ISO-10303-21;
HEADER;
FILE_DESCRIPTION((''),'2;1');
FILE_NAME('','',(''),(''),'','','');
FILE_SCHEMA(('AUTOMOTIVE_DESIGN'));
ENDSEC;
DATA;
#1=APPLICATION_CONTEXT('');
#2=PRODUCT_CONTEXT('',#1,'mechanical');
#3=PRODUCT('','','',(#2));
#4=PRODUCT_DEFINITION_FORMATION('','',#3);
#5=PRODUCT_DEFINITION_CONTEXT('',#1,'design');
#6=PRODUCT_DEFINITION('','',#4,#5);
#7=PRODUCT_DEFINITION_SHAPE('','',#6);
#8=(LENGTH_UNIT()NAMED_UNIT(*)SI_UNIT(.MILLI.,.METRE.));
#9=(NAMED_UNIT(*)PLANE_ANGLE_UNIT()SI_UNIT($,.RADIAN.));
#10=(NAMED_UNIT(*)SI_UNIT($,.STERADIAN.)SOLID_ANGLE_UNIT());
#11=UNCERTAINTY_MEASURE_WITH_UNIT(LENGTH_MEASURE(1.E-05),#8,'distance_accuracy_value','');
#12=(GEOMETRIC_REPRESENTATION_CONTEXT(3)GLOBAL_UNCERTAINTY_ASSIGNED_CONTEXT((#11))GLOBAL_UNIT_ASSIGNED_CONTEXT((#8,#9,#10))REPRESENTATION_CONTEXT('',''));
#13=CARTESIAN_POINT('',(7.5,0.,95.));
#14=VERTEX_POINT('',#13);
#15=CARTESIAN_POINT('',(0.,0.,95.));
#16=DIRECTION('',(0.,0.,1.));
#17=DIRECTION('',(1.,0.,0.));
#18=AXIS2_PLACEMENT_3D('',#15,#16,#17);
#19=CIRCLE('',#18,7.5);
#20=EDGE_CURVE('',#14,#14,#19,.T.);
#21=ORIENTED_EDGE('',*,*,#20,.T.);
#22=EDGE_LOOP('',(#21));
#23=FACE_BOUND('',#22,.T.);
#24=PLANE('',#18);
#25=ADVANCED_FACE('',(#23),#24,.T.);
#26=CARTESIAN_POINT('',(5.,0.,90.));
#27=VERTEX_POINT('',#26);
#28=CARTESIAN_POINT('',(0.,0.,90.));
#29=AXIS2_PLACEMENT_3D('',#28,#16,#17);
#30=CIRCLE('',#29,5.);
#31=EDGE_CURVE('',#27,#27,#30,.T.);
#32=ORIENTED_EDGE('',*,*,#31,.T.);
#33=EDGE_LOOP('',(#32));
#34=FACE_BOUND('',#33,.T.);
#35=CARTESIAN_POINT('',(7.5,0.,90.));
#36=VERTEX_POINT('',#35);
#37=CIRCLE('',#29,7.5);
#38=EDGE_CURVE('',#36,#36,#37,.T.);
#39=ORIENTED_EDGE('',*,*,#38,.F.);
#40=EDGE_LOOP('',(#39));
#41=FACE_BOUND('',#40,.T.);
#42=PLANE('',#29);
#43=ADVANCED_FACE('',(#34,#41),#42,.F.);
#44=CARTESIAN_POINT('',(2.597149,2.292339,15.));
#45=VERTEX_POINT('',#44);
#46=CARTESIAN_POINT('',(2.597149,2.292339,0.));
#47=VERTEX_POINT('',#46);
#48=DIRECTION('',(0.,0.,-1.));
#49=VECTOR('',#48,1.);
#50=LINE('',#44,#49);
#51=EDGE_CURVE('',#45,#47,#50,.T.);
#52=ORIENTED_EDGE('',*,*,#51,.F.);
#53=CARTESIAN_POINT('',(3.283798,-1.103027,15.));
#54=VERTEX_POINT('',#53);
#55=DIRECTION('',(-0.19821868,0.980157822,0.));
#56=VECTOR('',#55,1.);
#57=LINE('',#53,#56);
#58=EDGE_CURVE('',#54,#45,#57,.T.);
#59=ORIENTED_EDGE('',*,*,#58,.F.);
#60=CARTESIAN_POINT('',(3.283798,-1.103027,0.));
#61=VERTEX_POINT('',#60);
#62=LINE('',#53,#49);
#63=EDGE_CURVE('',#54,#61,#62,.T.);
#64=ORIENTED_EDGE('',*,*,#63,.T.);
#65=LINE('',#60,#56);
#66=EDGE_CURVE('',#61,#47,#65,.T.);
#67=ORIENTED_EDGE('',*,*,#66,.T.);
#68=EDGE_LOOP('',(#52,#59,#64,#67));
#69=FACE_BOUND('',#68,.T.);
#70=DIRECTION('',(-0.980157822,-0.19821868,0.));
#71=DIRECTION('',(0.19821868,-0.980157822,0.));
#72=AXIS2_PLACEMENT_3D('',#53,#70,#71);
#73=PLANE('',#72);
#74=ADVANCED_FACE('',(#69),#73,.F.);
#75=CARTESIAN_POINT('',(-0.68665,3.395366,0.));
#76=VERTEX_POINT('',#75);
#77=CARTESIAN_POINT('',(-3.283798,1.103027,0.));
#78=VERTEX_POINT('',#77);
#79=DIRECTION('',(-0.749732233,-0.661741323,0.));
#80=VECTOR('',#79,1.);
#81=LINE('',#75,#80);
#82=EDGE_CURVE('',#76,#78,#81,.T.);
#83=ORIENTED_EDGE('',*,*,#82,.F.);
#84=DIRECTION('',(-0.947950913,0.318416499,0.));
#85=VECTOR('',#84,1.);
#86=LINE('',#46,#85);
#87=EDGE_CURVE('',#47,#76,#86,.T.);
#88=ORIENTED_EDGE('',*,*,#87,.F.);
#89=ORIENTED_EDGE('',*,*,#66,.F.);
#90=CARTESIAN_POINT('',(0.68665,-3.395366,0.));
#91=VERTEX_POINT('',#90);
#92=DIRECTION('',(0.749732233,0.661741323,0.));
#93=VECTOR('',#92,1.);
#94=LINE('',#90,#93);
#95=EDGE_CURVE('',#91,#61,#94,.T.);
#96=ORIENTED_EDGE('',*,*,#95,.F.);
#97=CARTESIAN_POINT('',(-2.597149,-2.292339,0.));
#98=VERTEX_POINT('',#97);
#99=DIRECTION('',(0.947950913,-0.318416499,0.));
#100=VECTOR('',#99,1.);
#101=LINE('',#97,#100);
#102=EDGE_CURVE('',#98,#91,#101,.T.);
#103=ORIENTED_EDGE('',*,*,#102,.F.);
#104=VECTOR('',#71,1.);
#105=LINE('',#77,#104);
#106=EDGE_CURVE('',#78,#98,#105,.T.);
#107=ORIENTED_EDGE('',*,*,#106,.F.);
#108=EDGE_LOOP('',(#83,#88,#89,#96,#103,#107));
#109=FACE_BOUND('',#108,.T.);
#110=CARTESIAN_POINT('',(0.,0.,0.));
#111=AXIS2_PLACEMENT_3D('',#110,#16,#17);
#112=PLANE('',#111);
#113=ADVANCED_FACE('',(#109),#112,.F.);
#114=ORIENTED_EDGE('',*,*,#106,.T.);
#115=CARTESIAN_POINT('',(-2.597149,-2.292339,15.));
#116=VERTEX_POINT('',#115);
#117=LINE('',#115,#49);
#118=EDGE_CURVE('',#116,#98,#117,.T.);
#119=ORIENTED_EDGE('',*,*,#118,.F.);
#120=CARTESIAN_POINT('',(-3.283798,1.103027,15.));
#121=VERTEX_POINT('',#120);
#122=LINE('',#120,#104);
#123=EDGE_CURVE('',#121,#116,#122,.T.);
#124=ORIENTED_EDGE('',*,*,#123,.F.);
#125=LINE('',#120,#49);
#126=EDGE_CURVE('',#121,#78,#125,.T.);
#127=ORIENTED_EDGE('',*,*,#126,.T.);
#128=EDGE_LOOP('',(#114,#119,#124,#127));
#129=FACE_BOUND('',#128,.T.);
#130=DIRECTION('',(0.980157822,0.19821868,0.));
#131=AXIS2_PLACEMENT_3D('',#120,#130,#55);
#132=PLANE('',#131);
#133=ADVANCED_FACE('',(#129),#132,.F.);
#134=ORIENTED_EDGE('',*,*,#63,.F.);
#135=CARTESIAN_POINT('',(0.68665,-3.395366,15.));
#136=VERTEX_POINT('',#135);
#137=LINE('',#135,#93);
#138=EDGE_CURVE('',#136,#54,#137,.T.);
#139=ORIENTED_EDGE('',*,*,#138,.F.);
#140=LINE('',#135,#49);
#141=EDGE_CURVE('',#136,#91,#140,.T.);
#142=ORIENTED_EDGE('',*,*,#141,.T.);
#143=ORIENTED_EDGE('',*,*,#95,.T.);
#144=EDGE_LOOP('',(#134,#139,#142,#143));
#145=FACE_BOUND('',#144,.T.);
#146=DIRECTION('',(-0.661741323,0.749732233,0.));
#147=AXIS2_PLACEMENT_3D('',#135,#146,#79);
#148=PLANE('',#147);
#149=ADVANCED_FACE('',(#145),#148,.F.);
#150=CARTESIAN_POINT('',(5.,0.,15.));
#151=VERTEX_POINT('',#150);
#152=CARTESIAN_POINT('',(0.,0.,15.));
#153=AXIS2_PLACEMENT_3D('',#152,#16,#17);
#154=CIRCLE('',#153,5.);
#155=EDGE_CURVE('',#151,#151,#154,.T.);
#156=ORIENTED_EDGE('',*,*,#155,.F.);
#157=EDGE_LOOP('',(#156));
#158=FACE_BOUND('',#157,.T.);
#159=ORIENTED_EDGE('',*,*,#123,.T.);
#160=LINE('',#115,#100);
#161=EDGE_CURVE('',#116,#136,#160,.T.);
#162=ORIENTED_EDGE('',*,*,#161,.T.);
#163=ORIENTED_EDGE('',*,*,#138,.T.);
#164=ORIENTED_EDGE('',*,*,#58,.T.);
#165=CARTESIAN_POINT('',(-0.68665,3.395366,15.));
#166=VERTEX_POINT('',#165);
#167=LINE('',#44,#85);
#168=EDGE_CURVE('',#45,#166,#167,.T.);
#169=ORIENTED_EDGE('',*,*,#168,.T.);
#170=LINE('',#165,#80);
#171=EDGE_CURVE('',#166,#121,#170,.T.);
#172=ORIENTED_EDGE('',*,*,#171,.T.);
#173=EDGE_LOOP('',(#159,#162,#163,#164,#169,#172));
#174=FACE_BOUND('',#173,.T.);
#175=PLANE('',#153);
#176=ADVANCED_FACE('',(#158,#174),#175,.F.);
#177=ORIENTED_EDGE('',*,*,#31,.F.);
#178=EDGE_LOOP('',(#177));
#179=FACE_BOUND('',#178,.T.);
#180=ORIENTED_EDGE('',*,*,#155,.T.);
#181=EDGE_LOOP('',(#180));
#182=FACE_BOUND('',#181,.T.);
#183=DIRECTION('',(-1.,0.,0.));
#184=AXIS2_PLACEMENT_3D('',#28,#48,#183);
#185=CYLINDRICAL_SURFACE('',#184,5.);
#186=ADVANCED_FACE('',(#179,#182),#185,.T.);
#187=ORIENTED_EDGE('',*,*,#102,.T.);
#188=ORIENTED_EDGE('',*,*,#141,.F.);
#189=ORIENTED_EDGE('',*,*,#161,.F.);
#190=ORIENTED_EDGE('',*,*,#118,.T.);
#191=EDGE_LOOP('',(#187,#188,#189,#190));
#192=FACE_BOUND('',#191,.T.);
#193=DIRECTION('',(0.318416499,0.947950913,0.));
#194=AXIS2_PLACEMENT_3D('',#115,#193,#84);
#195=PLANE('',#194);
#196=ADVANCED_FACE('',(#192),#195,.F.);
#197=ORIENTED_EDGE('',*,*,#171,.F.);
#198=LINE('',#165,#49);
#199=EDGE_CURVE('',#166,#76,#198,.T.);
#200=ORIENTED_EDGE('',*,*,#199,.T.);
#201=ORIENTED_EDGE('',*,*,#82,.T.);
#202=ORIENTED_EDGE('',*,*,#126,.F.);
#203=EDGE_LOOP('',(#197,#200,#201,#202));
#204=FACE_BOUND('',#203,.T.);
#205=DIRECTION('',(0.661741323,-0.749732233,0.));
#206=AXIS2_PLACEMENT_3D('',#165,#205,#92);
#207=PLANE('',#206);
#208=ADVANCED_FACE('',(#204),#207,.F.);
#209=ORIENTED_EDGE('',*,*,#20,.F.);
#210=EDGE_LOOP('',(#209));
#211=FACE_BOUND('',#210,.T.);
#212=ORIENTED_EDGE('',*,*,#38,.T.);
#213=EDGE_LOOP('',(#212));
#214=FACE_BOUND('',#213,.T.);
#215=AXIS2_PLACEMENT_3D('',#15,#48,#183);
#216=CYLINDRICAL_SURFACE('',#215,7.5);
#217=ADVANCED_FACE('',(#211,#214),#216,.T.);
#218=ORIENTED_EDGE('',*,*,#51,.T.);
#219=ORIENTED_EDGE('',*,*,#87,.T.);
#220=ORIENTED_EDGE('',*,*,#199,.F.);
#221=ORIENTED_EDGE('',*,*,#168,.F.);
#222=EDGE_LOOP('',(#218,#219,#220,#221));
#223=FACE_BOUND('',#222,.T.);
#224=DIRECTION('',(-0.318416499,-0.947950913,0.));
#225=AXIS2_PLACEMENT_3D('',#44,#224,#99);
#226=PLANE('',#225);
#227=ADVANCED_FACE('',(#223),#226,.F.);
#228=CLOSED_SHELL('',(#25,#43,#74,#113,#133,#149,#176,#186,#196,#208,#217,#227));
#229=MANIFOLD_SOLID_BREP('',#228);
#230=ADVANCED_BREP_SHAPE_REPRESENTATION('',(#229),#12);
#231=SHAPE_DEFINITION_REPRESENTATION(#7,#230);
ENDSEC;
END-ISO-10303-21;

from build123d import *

# Parameters (mm, degrees)
BOSS_EXTRU_1_DEPTH = 15
ESQUISSE2_R        = 5
BOSS_EXTRU_2_DEPTH = 75
ESQUISSE3_R        = 7.5
BOSS_EXTRU_3_DEPTH = 5


with BuildPart() as part:
    # Esquisse1 → Boss.-Extru.1 (new body)
    with BuildSketch(Plane.XY):
        Polygon((-0.686649648, 3.395366293), (-3.283798289, 1.103027108), (-2.597148641, -2.292339185), (0.686649648, -3.395366293), (3.283798289, -1.103027108), (2.597148641, 2.292339185), align=None)
    extrude(amount=BOSS_EXTRU_1_DEPTH)

    # Esquisse2 → Boss.-Extru.2 (add)
    with BuildSketch(Plane.XY.offset(15)):
        Circle(ESQUISSE2_R)
    extrude(amount=BOSS_EXTRU_2_DEPTH)

    # Esquisse3 → Boss.-Extru.3 (add)
    with BuildSketch(Plane.XY.offset(90)):
        Circle(ESQUISSE3_R)
    extrude(amount=BOSS_EXTRU_3_DEPTH)


solid = part.part
